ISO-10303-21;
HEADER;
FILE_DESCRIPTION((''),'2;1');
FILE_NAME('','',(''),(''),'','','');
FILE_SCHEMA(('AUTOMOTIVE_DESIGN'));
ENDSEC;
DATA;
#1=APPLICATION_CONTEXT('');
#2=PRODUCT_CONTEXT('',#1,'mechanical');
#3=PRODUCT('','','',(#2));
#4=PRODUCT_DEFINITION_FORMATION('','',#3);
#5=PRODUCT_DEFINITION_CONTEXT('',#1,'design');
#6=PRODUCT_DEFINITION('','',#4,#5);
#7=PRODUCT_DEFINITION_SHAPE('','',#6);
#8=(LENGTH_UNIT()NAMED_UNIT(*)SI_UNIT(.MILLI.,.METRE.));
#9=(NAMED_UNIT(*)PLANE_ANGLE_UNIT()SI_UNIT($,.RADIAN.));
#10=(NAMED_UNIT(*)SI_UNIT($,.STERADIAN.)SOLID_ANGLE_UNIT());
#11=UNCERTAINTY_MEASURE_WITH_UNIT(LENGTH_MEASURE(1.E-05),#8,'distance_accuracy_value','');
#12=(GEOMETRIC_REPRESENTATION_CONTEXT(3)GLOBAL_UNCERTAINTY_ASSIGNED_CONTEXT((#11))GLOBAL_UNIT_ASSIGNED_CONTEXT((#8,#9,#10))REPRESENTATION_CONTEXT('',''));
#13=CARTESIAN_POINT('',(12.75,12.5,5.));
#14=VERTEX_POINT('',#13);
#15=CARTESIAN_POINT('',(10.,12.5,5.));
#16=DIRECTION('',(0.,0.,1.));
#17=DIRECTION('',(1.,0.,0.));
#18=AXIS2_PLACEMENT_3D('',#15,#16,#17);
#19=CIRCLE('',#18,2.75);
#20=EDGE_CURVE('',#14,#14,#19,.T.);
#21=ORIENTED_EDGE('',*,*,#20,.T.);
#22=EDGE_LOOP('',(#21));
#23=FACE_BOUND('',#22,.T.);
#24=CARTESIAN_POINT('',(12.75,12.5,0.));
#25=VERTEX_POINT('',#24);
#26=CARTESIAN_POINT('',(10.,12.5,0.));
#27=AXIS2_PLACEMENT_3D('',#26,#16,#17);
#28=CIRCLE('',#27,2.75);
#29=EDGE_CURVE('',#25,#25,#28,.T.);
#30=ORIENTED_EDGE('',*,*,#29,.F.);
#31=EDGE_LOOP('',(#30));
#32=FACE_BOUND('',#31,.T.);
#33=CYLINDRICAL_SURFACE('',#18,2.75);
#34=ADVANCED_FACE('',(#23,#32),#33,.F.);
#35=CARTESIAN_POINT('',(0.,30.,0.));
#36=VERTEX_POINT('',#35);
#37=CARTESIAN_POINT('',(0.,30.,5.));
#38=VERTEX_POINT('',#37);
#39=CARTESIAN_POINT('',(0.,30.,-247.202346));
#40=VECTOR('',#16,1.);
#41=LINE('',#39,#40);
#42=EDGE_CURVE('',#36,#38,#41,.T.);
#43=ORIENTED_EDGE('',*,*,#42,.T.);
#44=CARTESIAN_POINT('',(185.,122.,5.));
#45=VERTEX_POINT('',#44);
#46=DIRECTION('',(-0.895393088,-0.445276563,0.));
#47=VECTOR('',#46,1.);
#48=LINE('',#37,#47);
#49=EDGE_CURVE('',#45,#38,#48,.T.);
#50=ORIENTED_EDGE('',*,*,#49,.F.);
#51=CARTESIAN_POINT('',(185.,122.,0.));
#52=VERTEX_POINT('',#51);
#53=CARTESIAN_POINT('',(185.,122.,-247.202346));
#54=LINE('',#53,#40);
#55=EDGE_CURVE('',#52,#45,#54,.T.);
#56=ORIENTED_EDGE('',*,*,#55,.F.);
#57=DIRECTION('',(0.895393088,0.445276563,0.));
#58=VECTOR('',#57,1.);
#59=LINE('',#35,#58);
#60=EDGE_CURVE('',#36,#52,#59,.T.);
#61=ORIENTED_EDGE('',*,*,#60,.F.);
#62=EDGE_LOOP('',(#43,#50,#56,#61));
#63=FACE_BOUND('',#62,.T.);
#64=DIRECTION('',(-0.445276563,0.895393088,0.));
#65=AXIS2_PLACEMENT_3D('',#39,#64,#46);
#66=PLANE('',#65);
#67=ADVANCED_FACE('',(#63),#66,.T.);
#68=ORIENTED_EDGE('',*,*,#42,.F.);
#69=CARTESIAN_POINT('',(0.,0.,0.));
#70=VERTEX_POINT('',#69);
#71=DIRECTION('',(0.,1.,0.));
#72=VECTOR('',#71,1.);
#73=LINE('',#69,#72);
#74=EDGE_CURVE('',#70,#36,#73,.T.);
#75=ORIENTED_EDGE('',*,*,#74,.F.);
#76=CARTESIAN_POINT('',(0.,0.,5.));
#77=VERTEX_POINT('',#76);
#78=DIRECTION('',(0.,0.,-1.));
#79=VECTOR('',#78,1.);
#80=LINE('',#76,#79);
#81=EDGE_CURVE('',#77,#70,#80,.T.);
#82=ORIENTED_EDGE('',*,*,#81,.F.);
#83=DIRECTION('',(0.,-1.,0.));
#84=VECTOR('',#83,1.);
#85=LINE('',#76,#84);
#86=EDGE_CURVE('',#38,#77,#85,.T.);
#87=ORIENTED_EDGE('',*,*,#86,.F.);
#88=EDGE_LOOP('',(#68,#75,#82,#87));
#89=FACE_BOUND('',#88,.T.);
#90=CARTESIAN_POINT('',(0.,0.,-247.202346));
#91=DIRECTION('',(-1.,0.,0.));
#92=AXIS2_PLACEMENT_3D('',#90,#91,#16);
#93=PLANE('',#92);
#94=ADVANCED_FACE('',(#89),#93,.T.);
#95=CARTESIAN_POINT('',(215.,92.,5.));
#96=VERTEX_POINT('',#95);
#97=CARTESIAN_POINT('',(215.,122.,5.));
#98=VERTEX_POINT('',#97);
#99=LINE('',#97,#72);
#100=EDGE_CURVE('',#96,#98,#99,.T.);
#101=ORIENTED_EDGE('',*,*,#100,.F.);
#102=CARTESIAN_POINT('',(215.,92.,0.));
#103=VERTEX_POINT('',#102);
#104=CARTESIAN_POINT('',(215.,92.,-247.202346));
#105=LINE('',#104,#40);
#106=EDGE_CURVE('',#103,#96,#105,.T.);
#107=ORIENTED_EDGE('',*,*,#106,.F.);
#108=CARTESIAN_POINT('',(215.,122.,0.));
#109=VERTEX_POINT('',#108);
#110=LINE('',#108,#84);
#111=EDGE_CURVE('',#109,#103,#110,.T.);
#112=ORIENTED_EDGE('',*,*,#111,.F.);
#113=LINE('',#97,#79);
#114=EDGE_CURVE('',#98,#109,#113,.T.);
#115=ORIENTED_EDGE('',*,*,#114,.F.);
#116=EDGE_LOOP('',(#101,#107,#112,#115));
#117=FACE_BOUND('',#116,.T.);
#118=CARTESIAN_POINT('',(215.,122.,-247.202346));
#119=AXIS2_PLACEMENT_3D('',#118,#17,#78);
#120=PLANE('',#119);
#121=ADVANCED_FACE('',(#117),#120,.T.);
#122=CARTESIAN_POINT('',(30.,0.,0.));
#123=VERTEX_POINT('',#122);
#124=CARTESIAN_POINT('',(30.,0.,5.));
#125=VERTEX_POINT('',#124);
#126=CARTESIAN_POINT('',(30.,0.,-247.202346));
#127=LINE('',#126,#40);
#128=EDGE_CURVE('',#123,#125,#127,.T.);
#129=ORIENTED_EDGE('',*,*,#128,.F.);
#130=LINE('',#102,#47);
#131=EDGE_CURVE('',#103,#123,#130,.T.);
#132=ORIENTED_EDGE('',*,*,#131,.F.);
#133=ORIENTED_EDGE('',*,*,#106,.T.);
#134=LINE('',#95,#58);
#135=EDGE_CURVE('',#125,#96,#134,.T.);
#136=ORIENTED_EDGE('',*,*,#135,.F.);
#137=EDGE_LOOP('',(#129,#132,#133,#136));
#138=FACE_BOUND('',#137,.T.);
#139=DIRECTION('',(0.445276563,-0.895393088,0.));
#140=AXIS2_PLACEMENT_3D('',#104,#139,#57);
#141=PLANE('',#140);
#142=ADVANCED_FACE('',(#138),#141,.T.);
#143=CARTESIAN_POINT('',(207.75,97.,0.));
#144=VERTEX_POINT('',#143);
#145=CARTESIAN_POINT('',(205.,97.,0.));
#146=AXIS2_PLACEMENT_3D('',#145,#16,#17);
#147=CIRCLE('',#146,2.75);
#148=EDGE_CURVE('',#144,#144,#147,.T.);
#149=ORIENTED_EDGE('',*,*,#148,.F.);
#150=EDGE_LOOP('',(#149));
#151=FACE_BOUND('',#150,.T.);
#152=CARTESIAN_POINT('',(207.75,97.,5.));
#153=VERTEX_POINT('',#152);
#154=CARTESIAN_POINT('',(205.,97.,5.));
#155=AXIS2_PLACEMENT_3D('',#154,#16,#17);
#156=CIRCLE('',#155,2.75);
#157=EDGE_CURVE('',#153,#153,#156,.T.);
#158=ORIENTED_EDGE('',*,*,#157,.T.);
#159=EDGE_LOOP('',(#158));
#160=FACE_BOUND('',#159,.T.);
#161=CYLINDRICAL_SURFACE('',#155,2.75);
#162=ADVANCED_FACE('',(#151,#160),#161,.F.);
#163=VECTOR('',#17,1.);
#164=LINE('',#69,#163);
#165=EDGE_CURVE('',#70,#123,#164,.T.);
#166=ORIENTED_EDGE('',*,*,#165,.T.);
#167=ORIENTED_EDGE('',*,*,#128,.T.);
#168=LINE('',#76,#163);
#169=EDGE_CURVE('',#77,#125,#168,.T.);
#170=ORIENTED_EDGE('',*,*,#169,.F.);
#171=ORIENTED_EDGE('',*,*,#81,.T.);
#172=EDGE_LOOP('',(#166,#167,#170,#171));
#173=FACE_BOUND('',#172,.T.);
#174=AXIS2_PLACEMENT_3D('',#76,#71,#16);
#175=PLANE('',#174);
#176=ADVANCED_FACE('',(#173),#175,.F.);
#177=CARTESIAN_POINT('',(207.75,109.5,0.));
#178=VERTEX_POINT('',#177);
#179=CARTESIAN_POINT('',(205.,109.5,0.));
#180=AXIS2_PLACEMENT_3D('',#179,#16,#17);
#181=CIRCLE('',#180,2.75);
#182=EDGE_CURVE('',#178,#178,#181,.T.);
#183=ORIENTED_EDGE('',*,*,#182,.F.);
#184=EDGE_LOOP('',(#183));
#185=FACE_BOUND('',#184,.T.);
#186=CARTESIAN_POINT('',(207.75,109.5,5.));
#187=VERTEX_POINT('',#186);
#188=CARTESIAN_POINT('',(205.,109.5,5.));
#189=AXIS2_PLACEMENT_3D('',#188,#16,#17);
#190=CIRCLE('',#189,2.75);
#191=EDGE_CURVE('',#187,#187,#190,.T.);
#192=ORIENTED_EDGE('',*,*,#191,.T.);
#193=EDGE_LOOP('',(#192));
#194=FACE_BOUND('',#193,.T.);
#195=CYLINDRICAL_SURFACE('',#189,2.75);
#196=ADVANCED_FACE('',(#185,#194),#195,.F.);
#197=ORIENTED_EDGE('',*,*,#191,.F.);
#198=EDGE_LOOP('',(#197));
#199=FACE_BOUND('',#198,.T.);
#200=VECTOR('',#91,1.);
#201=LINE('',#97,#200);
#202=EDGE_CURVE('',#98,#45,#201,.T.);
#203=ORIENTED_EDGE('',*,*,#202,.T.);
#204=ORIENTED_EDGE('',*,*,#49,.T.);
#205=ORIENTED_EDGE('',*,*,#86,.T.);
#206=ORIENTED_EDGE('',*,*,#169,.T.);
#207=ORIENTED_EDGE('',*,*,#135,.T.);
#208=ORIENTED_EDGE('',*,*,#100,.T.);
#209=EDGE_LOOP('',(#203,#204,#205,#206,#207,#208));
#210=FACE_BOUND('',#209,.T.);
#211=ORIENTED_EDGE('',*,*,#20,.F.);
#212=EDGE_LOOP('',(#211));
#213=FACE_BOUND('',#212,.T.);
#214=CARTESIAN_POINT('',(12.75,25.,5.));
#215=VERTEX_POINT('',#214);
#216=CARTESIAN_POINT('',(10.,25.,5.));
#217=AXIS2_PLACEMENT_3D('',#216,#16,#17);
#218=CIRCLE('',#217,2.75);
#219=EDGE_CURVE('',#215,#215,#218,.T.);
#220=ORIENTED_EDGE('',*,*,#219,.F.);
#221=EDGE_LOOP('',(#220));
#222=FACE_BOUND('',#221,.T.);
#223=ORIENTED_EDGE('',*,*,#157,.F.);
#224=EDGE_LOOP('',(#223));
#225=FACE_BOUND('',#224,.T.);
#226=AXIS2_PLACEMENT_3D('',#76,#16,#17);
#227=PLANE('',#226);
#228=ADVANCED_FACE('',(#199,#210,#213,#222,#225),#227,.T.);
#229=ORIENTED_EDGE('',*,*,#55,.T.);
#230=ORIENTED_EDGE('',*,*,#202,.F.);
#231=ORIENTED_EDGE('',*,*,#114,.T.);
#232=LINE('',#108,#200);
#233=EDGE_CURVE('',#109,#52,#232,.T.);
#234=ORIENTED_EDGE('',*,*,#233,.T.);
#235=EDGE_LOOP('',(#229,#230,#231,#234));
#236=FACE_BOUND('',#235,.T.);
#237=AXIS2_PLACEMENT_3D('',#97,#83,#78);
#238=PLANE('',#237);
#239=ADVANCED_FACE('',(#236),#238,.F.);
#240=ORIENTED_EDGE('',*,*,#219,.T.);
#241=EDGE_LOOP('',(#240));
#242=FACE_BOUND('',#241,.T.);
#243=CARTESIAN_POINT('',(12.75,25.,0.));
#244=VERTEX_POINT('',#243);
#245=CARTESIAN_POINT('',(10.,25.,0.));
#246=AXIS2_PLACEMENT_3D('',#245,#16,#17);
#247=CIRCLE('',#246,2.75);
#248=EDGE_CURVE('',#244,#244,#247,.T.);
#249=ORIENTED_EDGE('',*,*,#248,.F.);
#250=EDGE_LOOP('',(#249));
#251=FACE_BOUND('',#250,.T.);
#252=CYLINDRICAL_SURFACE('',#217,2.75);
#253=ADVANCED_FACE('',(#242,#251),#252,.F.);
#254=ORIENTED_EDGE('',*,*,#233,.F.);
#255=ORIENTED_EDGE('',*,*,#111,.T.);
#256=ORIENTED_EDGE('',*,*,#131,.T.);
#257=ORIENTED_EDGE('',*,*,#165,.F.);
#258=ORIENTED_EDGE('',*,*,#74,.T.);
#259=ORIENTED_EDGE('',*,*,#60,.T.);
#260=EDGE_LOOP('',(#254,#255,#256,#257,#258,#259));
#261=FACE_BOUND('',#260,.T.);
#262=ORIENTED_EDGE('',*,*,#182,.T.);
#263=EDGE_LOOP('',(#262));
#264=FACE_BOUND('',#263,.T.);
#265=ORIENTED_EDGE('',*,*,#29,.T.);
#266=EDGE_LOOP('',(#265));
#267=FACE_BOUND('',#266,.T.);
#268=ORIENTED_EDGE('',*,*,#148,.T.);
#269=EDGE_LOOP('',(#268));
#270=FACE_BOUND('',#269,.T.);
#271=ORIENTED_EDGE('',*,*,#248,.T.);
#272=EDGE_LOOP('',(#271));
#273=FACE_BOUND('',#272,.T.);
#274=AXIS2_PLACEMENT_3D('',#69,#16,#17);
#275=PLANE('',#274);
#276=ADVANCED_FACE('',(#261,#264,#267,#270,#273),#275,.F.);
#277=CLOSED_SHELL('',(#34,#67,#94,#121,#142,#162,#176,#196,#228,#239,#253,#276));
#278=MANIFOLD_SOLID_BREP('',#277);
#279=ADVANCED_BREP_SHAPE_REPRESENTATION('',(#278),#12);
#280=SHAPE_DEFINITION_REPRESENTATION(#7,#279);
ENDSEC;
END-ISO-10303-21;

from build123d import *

# Parameters (mm, degrees)
BOSS_EXTRUDE1_DEPTH  = 5
BOSS_EXTRUDE2_DEPTH  = 5
M5_CLEARANCE_HOLE1_D = 5.5


with BuildPart() as part:
    # Sketch1 → Boss-Extrude1 (new body)
    with BuildSketch(Plane.XY):
        Polygon((0, 0), (20, 0), (215, 122), (195, 122), align=None)
    extrude(amount=BOSS_EXTRUDE1_DEPTH)

    # Sketch2 → Boss-Extrude2 (add)
    with BuildSketch(Plane.XY.offset(5)):
        Polygon((0, 0), (0, 30), (185, 122), (195, 122), (215, 122), (215, 92), (30, 0), align=None)
    extrude(amount=-BOSS_EXTRUDE2_DEPTH)

    # M5 Clearance Hole1 (through all)
    with Locations(Plane.XY.offset(5)):
        with Locations((205, 97), (10, 25), (10, 12.5), (205, 109.5)):
            Hole(M5_CLEARANCE_HOLE1_D / 2)


solid = part.part
